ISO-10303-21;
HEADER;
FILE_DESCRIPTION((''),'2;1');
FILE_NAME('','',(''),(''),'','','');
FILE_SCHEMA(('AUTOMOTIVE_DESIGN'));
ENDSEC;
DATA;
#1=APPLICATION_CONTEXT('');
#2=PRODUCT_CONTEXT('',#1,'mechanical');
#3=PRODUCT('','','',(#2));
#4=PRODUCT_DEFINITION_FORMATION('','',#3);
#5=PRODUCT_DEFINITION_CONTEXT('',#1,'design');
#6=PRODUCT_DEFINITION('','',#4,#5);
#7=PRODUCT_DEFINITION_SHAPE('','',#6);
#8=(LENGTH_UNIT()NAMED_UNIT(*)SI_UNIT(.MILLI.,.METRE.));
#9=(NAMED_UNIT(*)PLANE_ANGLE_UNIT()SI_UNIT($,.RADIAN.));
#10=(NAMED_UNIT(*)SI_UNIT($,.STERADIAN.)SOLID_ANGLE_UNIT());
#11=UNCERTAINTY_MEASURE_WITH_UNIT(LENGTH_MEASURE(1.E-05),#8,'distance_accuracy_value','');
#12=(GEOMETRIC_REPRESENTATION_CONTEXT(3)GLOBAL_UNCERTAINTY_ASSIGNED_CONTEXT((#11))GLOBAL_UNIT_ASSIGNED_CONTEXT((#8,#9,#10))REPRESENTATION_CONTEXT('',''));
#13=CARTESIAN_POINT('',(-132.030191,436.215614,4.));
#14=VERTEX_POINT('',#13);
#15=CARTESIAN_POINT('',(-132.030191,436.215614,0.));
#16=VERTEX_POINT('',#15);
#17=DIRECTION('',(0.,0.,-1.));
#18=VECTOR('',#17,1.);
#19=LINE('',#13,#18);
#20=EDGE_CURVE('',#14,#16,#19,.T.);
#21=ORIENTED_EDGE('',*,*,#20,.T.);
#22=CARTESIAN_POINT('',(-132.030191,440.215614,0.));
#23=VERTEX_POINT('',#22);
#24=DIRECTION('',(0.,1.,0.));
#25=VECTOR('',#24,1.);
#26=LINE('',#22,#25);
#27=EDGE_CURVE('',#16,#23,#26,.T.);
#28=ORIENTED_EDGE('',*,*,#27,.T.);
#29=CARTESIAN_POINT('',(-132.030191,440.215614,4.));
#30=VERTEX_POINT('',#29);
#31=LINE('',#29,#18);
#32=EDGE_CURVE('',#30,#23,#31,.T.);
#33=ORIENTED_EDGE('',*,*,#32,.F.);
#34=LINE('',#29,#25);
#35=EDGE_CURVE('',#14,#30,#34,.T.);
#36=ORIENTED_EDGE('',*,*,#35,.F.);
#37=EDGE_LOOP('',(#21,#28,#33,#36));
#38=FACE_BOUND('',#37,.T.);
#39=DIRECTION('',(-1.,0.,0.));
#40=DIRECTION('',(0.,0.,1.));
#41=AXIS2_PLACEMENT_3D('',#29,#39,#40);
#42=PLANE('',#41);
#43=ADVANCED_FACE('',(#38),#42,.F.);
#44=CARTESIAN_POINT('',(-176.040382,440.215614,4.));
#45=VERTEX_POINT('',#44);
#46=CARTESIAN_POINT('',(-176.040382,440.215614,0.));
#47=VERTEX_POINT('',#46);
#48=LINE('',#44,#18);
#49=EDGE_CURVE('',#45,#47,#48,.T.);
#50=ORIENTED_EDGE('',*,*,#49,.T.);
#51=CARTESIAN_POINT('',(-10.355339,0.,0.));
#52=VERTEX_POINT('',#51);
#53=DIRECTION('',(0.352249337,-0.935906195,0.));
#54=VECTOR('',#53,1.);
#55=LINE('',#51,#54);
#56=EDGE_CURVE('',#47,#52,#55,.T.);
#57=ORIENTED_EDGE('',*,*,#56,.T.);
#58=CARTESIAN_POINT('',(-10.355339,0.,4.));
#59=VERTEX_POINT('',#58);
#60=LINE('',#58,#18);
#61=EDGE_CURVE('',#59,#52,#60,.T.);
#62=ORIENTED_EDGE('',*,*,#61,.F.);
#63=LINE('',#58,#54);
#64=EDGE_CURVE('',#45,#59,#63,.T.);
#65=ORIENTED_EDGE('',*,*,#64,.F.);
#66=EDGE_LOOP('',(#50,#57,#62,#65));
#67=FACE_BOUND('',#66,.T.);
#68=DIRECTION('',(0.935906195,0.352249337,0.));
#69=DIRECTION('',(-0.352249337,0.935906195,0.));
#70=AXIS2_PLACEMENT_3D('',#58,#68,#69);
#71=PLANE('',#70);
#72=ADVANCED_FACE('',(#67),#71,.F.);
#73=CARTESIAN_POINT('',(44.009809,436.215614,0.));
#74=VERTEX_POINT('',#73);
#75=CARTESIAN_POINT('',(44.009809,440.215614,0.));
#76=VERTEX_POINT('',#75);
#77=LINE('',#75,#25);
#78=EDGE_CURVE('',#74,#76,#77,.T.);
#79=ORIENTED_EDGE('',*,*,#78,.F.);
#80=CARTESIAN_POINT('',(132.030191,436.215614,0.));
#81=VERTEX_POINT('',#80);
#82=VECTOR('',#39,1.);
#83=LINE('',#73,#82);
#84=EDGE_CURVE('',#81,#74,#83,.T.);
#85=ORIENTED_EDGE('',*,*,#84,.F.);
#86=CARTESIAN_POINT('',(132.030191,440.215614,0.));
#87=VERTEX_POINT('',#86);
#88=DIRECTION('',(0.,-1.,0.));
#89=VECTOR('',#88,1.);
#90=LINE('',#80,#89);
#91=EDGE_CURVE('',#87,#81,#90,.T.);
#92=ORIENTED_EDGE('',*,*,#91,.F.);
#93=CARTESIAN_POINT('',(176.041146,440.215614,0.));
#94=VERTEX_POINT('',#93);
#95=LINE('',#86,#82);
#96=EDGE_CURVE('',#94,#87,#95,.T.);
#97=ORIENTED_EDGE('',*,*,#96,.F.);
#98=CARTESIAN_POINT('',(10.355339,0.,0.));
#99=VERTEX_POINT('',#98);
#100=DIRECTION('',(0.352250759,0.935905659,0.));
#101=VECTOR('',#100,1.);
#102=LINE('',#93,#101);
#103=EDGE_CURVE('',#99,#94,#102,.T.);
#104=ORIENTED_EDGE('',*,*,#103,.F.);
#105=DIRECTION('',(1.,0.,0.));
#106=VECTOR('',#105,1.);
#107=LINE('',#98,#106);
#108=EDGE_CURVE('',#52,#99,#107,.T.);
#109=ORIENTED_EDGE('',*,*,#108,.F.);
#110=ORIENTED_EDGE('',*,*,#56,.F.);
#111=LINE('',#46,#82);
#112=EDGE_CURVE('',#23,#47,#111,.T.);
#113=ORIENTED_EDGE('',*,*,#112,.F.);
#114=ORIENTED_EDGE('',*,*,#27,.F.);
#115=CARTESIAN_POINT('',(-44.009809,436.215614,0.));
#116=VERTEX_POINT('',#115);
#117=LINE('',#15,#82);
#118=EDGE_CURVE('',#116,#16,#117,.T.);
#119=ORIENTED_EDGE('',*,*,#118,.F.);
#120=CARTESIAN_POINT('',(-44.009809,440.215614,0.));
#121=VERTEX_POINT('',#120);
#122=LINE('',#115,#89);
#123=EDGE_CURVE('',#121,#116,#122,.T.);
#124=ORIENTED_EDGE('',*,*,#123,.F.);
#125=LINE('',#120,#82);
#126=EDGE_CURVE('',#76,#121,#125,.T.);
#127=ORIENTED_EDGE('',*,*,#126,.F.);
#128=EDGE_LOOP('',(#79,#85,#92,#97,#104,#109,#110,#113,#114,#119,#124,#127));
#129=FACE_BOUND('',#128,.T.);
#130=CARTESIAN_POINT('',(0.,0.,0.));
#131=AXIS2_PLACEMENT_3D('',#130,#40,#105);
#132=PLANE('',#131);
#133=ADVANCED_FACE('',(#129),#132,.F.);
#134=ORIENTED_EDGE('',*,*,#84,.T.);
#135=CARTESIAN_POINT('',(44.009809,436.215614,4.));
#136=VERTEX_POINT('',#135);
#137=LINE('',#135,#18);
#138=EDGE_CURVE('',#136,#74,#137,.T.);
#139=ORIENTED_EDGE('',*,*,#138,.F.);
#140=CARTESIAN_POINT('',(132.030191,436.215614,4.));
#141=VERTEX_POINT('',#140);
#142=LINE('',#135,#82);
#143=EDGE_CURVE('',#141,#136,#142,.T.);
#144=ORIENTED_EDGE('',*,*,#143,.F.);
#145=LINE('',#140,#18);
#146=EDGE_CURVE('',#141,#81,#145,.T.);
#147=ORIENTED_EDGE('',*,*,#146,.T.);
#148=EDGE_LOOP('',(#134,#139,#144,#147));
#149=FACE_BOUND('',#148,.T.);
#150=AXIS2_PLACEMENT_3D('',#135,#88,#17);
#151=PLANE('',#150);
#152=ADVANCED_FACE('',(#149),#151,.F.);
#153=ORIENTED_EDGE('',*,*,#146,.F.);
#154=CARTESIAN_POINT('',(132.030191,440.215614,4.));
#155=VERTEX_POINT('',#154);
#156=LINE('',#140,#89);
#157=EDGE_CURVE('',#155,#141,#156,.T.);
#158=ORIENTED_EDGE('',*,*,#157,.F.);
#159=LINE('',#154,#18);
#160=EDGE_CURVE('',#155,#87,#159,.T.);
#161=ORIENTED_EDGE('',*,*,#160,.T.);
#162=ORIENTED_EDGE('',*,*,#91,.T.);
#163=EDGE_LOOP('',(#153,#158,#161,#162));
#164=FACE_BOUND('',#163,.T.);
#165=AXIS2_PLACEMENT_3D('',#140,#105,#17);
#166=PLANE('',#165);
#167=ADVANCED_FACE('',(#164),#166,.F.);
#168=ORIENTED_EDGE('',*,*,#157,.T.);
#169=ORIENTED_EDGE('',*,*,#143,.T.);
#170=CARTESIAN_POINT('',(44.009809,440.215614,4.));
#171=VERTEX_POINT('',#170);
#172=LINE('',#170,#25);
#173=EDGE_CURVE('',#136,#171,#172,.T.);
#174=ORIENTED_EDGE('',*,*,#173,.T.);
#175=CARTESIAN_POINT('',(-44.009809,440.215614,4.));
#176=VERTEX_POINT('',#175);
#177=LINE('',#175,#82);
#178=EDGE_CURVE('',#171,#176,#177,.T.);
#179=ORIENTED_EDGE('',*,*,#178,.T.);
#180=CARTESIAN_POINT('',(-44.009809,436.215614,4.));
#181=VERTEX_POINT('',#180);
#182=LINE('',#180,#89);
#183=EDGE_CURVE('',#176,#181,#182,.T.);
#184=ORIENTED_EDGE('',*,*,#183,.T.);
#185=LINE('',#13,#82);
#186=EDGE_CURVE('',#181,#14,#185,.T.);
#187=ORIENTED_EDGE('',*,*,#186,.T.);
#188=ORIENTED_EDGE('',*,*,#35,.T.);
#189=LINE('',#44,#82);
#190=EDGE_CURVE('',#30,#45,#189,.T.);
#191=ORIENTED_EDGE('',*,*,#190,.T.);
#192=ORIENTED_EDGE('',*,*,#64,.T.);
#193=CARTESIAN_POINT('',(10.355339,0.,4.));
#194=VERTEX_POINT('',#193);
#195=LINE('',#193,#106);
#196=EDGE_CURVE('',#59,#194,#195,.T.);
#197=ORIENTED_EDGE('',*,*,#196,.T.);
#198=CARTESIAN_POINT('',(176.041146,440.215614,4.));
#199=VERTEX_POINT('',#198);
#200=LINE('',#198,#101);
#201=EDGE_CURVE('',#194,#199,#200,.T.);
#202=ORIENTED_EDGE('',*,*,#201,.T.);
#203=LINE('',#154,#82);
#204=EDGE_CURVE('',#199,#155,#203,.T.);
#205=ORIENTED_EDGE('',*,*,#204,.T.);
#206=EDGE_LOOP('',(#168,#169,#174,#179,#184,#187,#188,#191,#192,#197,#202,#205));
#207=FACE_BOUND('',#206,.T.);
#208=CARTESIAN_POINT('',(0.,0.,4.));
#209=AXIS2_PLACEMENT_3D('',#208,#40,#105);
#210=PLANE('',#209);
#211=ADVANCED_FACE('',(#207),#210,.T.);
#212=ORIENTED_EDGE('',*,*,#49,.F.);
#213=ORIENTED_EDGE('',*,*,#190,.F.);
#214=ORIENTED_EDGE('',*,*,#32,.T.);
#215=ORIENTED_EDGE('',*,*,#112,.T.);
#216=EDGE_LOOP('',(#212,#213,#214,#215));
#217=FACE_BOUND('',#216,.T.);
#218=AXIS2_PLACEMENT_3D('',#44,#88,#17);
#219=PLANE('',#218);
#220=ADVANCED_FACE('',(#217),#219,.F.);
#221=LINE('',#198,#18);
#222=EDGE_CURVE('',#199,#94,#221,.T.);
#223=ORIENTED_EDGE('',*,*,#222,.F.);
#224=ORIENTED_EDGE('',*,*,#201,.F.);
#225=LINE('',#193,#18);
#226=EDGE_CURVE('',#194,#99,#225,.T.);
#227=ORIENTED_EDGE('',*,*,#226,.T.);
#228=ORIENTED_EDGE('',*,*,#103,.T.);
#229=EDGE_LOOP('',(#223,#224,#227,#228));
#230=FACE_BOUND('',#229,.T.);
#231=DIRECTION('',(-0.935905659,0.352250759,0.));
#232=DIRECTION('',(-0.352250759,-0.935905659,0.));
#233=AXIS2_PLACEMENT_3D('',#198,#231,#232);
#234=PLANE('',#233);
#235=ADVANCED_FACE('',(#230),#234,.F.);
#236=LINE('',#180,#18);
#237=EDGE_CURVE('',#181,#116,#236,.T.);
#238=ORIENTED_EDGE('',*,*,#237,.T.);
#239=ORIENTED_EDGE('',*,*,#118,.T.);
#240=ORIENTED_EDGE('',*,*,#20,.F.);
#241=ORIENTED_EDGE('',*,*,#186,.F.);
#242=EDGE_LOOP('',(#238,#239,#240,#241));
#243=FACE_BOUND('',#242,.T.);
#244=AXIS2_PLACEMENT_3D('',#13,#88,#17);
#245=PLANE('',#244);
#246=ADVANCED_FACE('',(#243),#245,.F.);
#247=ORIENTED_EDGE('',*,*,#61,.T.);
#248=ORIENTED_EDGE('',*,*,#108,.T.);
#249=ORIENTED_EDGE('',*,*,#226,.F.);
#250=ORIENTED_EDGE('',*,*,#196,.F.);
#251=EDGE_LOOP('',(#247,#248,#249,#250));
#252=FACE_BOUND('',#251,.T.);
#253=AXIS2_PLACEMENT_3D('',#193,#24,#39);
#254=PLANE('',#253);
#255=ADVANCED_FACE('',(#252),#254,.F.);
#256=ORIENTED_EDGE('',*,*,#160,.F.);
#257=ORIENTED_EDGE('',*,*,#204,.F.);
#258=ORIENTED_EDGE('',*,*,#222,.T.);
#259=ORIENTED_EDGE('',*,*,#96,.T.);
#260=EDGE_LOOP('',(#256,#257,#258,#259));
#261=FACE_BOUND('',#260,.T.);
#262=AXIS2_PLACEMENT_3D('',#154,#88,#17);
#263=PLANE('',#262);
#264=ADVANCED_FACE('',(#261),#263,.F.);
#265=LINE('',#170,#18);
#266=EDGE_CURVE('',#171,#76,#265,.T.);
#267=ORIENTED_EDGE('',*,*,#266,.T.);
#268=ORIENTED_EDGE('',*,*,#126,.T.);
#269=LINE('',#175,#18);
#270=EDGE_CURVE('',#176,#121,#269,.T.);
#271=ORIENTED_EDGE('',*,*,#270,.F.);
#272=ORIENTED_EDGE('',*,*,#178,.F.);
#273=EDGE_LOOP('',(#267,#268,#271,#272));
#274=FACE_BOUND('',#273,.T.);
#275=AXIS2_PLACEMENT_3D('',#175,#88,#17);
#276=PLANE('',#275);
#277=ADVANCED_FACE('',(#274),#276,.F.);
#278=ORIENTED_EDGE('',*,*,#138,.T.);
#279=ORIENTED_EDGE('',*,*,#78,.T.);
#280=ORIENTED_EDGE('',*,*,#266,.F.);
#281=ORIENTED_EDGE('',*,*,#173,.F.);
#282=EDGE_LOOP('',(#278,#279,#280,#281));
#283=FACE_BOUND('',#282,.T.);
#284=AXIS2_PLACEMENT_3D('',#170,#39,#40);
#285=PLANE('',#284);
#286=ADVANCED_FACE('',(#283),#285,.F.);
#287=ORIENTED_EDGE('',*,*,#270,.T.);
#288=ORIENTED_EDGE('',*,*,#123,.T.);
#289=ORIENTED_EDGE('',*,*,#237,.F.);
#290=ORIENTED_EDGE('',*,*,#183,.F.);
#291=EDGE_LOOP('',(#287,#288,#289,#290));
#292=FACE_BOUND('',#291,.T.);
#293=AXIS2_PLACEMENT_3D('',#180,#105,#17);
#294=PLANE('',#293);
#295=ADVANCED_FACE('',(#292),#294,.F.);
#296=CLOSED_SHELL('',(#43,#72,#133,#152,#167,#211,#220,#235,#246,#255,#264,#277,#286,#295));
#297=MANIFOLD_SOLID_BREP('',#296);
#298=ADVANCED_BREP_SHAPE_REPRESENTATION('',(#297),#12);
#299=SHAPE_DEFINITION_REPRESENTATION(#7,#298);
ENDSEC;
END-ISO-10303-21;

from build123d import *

# Parameters (mm, degrees)
RESSALTO_EXTRUS_O1_DEPTH = 4


with BuildPart() as part:
    # Esboço1 → Ressalto-extrusão1 (new body)
    with BuildSketch(Plane.XY):
        Polygon((176.041146015, 440.215614172), (10.35533906, 0), (-10.35533906, 0), (-176.040382005, 440.215614172), (-132.030191003, 440.215614172), (-132.030191003, 436.215614172), (-44.009808997, 436.215614172), (-44.009808997, 440.215614172), (44.009808998, 440.215614172), (44.009808998, 436.215614172), (132.030191003, 436.215614172), (132.030191003, 440.215614172), align=None)
    extrude(amount=RESSALTO_EXTRUS_O1_DEPTH)


solid = part.part
